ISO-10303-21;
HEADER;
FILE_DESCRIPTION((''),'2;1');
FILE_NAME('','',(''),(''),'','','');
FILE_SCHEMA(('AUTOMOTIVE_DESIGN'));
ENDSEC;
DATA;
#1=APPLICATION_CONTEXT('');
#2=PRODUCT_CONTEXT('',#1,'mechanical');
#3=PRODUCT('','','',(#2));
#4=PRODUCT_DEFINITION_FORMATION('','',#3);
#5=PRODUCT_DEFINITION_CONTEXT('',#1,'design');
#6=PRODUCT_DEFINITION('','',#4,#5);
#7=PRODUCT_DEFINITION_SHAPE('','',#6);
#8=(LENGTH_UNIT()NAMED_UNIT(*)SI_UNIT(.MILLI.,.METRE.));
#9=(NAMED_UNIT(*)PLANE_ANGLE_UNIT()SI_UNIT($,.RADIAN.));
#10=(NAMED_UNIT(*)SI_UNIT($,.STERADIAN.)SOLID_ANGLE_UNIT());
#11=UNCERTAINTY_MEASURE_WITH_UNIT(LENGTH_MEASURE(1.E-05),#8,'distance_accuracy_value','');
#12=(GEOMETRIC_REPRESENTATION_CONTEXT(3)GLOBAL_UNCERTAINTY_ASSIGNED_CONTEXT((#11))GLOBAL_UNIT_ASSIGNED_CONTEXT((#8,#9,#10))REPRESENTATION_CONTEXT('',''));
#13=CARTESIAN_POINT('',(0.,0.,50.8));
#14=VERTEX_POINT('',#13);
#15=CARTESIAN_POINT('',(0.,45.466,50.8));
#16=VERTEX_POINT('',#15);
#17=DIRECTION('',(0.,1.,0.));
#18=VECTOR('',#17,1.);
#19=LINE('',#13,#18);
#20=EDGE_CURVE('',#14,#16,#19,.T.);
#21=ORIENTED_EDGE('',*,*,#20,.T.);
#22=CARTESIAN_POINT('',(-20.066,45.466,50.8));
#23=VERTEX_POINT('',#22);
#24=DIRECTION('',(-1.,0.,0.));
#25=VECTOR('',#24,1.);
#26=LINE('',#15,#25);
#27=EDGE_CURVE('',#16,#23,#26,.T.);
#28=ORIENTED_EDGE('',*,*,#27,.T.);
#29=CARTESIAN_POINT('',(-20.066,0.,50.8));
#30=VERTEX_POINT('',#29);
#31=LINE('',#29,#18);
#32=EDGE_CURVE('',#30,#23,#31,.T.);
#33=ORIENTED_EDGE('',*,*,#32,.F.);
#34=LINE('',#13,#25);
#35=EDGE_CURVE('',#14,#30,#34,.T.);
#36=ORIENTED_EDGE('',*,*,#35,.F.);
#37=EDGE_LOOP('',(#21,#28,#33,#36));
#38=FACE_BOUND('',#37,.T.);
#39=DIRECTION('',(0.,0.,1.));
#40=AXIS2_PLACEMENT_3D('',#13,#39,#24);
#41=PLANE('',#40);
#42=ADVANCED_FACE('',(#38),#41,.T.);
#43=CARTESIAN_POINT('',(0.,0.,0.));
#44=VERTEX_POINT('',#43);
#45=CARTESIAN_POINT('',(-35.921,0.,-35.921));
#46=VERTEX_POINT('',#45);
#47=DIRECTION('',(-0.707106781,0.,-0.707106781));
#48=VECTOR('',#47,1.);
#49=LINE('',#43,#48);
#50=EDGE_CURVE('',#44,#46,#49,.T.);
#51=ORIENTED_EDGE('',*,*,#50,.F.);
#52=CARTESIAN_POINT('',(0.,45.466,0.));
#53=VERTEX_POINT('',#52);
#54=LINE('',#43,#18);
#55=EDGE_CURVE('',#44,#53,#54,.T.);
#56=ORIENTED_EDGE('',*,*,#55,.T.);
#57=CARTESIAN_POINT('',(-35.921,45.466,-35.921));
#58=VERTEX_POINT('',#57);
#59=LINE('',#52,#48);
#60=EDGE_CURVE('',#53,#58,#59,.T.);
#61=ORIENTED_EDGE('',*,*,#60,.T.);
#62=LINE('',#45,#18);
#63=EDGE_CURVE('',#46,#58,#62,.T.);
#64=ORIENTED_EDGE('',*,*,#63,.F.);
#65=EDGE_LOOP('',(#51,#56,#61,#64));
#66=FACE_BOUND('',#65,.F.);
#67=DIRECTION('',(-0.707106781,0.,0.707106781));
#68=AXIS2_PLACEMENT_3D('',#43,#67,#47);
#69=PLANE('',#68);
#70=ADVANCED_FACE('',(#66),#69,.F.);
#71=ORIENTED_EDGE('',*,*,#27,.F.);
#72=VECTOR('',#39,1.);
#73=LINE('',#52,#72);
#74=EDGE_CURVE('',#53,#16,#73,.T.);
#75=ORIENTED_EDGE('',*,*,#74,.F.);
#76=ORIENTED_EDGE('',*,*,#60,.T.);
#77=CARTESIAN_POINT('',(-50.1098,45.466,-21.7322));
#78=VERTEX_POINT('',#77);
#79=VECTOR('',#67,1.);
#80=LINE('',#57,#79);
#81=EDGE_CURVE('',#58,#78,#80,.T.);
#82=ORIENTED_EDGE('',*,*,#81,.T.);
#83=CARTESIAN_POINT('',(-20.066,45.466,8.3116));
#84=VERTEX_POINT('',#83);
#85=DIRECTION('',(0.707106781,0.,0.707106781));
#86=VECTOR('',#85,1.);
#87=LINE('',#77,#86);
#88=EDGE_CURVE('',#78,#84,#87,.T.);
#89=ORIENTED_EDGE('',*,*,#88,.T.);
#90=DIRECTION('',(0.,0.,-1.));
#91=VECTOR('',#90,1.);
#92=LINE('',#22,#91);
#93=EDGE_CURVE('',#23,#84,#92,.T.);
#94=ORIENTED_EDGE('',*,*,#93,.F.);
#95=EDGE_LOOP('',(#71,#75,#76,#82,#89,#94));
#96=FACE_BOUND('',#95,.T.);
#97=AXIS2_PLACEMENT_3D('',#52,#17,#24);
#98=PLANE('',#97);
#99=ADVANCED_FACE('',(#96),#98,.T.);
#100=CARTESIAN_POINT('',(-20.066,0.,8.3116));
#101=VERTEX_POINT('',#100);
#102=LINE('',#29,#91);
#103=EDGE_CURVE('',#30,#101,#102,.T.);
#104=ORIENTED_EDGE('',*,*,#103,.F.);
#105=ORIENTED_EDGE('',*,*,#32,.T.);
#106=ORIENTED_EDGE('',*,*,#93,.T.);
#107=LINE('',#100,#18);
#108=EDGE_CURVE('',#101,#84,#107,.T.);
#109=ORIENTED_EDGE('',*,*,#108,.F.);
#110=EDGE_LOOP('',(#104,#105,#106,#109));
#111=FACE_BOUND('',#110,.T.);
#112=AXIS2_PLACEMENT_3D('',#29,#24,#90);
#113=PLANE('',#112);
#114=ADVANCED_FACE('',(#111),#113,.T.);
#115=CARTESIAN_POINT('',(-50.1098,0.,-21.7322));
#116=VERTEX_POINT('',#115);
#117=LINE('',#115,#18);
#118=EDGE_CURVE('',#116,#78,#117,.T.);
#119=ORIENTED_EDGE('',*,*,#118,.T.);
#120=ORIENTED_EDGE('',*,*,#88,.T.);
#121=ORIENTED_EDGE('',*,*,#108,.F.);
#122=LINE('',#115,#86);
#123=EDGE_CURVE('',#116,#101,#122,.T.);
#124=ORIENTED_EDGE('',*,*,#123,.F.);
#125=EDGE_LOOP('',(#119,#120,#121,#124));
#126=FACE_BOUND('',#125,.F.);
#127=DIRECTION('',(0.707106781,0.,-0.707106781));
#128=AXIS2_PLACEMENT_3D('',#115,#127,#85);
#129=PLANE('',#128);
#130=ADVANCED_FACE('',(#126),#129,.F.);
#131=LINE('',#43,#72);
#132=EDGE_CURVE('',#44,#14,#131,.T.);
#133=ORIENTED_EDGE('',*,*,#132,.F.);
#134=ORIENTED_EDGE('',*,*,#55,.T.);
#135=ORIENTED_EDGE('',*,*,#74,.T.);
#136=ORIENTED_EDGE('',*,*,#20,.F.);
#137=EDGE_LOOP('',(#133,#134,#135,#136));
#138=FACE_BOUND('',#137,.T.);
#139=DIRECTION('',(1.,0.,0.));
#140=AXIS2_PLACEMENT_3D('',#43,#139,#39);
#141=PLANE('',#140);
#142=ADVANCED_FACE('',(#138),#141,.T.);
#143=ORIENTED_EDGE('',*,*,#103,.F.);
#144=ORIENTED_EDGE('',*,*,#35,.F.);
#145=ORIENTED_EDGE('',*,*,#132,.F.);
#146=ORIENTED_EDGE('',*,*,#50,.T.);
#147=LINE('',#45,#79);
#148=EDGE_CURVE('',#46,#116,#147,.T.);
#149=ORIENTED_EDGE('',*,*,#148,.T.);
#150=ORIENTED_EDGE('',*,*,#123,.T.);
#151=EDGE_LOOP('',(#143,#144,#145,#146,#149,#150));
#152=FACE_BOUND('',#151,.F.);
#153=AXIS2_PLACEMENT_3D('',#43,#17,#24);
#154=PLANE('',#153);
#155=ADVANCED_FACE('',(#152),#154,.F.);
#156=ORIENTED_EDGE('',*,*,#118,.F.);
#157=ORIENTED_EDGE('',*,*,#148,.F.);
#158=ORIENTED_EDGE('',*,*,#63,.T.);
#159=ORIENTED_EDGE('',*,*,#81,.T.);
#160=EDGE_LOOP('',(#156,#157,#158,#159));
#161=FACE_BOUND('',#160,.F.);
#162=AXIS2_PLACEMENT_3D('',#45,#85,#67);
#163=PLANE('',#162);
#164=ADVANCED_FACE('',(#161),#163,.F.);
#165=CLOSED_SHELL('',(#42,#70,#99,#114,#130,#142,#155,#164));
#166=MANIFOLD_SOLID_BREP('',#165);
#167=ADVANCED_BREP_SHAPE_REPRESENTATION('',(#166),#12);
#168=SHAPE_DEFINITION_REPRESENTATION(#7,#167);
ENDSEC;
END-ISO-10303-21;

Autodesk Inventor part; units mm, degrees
ref_plane "YZ Plane" through (0, 0, 0) normal (1, 0, 0) x (0, 1, 0)
ref_plane "XZ Plane" through (0, 0, 0) normal (0, 1, 0) x (-1, 0, 0)
ref_plane "XY Plane" through (0, 0, 0) normal (0, 0, 1) x (1, 0, 0)
sketch "Sketch1" plane through (0, 0, 0) normal (0, 1, 0) x (-1, 0, 0)
  line L0 (0, 0) -> (0, 50.8)
  line L1 (0, 50.8) -> (20.066, 50.8)
  line L2 (20.066, 50.8) -> (20.066, 8.3116)
  line L3 (0, 0) -> (35.921, -35.921)
  line L4 (0, 0) -> (50.8, 0) construction
  line L5 (35.921, -35.921) -> (50.1098, -21.7322)
  line L6 (35.921, -35.921) -> (55.987, -35.921) construction
  line L7 (50.1098, -21.7322) -> (20.066, 8.3116)
  dimension "d0" = 50.8
  dimension "d1" = 50.8
  dimension "d2" = 45
  dimension "d3" = 20.066
  dimension "d4" = 20.066
  dimension "d5" = 45
extrude "Extrusion1" add sketch "Sketch1" along normal blind 45.466
properties part number "PXCorner"
